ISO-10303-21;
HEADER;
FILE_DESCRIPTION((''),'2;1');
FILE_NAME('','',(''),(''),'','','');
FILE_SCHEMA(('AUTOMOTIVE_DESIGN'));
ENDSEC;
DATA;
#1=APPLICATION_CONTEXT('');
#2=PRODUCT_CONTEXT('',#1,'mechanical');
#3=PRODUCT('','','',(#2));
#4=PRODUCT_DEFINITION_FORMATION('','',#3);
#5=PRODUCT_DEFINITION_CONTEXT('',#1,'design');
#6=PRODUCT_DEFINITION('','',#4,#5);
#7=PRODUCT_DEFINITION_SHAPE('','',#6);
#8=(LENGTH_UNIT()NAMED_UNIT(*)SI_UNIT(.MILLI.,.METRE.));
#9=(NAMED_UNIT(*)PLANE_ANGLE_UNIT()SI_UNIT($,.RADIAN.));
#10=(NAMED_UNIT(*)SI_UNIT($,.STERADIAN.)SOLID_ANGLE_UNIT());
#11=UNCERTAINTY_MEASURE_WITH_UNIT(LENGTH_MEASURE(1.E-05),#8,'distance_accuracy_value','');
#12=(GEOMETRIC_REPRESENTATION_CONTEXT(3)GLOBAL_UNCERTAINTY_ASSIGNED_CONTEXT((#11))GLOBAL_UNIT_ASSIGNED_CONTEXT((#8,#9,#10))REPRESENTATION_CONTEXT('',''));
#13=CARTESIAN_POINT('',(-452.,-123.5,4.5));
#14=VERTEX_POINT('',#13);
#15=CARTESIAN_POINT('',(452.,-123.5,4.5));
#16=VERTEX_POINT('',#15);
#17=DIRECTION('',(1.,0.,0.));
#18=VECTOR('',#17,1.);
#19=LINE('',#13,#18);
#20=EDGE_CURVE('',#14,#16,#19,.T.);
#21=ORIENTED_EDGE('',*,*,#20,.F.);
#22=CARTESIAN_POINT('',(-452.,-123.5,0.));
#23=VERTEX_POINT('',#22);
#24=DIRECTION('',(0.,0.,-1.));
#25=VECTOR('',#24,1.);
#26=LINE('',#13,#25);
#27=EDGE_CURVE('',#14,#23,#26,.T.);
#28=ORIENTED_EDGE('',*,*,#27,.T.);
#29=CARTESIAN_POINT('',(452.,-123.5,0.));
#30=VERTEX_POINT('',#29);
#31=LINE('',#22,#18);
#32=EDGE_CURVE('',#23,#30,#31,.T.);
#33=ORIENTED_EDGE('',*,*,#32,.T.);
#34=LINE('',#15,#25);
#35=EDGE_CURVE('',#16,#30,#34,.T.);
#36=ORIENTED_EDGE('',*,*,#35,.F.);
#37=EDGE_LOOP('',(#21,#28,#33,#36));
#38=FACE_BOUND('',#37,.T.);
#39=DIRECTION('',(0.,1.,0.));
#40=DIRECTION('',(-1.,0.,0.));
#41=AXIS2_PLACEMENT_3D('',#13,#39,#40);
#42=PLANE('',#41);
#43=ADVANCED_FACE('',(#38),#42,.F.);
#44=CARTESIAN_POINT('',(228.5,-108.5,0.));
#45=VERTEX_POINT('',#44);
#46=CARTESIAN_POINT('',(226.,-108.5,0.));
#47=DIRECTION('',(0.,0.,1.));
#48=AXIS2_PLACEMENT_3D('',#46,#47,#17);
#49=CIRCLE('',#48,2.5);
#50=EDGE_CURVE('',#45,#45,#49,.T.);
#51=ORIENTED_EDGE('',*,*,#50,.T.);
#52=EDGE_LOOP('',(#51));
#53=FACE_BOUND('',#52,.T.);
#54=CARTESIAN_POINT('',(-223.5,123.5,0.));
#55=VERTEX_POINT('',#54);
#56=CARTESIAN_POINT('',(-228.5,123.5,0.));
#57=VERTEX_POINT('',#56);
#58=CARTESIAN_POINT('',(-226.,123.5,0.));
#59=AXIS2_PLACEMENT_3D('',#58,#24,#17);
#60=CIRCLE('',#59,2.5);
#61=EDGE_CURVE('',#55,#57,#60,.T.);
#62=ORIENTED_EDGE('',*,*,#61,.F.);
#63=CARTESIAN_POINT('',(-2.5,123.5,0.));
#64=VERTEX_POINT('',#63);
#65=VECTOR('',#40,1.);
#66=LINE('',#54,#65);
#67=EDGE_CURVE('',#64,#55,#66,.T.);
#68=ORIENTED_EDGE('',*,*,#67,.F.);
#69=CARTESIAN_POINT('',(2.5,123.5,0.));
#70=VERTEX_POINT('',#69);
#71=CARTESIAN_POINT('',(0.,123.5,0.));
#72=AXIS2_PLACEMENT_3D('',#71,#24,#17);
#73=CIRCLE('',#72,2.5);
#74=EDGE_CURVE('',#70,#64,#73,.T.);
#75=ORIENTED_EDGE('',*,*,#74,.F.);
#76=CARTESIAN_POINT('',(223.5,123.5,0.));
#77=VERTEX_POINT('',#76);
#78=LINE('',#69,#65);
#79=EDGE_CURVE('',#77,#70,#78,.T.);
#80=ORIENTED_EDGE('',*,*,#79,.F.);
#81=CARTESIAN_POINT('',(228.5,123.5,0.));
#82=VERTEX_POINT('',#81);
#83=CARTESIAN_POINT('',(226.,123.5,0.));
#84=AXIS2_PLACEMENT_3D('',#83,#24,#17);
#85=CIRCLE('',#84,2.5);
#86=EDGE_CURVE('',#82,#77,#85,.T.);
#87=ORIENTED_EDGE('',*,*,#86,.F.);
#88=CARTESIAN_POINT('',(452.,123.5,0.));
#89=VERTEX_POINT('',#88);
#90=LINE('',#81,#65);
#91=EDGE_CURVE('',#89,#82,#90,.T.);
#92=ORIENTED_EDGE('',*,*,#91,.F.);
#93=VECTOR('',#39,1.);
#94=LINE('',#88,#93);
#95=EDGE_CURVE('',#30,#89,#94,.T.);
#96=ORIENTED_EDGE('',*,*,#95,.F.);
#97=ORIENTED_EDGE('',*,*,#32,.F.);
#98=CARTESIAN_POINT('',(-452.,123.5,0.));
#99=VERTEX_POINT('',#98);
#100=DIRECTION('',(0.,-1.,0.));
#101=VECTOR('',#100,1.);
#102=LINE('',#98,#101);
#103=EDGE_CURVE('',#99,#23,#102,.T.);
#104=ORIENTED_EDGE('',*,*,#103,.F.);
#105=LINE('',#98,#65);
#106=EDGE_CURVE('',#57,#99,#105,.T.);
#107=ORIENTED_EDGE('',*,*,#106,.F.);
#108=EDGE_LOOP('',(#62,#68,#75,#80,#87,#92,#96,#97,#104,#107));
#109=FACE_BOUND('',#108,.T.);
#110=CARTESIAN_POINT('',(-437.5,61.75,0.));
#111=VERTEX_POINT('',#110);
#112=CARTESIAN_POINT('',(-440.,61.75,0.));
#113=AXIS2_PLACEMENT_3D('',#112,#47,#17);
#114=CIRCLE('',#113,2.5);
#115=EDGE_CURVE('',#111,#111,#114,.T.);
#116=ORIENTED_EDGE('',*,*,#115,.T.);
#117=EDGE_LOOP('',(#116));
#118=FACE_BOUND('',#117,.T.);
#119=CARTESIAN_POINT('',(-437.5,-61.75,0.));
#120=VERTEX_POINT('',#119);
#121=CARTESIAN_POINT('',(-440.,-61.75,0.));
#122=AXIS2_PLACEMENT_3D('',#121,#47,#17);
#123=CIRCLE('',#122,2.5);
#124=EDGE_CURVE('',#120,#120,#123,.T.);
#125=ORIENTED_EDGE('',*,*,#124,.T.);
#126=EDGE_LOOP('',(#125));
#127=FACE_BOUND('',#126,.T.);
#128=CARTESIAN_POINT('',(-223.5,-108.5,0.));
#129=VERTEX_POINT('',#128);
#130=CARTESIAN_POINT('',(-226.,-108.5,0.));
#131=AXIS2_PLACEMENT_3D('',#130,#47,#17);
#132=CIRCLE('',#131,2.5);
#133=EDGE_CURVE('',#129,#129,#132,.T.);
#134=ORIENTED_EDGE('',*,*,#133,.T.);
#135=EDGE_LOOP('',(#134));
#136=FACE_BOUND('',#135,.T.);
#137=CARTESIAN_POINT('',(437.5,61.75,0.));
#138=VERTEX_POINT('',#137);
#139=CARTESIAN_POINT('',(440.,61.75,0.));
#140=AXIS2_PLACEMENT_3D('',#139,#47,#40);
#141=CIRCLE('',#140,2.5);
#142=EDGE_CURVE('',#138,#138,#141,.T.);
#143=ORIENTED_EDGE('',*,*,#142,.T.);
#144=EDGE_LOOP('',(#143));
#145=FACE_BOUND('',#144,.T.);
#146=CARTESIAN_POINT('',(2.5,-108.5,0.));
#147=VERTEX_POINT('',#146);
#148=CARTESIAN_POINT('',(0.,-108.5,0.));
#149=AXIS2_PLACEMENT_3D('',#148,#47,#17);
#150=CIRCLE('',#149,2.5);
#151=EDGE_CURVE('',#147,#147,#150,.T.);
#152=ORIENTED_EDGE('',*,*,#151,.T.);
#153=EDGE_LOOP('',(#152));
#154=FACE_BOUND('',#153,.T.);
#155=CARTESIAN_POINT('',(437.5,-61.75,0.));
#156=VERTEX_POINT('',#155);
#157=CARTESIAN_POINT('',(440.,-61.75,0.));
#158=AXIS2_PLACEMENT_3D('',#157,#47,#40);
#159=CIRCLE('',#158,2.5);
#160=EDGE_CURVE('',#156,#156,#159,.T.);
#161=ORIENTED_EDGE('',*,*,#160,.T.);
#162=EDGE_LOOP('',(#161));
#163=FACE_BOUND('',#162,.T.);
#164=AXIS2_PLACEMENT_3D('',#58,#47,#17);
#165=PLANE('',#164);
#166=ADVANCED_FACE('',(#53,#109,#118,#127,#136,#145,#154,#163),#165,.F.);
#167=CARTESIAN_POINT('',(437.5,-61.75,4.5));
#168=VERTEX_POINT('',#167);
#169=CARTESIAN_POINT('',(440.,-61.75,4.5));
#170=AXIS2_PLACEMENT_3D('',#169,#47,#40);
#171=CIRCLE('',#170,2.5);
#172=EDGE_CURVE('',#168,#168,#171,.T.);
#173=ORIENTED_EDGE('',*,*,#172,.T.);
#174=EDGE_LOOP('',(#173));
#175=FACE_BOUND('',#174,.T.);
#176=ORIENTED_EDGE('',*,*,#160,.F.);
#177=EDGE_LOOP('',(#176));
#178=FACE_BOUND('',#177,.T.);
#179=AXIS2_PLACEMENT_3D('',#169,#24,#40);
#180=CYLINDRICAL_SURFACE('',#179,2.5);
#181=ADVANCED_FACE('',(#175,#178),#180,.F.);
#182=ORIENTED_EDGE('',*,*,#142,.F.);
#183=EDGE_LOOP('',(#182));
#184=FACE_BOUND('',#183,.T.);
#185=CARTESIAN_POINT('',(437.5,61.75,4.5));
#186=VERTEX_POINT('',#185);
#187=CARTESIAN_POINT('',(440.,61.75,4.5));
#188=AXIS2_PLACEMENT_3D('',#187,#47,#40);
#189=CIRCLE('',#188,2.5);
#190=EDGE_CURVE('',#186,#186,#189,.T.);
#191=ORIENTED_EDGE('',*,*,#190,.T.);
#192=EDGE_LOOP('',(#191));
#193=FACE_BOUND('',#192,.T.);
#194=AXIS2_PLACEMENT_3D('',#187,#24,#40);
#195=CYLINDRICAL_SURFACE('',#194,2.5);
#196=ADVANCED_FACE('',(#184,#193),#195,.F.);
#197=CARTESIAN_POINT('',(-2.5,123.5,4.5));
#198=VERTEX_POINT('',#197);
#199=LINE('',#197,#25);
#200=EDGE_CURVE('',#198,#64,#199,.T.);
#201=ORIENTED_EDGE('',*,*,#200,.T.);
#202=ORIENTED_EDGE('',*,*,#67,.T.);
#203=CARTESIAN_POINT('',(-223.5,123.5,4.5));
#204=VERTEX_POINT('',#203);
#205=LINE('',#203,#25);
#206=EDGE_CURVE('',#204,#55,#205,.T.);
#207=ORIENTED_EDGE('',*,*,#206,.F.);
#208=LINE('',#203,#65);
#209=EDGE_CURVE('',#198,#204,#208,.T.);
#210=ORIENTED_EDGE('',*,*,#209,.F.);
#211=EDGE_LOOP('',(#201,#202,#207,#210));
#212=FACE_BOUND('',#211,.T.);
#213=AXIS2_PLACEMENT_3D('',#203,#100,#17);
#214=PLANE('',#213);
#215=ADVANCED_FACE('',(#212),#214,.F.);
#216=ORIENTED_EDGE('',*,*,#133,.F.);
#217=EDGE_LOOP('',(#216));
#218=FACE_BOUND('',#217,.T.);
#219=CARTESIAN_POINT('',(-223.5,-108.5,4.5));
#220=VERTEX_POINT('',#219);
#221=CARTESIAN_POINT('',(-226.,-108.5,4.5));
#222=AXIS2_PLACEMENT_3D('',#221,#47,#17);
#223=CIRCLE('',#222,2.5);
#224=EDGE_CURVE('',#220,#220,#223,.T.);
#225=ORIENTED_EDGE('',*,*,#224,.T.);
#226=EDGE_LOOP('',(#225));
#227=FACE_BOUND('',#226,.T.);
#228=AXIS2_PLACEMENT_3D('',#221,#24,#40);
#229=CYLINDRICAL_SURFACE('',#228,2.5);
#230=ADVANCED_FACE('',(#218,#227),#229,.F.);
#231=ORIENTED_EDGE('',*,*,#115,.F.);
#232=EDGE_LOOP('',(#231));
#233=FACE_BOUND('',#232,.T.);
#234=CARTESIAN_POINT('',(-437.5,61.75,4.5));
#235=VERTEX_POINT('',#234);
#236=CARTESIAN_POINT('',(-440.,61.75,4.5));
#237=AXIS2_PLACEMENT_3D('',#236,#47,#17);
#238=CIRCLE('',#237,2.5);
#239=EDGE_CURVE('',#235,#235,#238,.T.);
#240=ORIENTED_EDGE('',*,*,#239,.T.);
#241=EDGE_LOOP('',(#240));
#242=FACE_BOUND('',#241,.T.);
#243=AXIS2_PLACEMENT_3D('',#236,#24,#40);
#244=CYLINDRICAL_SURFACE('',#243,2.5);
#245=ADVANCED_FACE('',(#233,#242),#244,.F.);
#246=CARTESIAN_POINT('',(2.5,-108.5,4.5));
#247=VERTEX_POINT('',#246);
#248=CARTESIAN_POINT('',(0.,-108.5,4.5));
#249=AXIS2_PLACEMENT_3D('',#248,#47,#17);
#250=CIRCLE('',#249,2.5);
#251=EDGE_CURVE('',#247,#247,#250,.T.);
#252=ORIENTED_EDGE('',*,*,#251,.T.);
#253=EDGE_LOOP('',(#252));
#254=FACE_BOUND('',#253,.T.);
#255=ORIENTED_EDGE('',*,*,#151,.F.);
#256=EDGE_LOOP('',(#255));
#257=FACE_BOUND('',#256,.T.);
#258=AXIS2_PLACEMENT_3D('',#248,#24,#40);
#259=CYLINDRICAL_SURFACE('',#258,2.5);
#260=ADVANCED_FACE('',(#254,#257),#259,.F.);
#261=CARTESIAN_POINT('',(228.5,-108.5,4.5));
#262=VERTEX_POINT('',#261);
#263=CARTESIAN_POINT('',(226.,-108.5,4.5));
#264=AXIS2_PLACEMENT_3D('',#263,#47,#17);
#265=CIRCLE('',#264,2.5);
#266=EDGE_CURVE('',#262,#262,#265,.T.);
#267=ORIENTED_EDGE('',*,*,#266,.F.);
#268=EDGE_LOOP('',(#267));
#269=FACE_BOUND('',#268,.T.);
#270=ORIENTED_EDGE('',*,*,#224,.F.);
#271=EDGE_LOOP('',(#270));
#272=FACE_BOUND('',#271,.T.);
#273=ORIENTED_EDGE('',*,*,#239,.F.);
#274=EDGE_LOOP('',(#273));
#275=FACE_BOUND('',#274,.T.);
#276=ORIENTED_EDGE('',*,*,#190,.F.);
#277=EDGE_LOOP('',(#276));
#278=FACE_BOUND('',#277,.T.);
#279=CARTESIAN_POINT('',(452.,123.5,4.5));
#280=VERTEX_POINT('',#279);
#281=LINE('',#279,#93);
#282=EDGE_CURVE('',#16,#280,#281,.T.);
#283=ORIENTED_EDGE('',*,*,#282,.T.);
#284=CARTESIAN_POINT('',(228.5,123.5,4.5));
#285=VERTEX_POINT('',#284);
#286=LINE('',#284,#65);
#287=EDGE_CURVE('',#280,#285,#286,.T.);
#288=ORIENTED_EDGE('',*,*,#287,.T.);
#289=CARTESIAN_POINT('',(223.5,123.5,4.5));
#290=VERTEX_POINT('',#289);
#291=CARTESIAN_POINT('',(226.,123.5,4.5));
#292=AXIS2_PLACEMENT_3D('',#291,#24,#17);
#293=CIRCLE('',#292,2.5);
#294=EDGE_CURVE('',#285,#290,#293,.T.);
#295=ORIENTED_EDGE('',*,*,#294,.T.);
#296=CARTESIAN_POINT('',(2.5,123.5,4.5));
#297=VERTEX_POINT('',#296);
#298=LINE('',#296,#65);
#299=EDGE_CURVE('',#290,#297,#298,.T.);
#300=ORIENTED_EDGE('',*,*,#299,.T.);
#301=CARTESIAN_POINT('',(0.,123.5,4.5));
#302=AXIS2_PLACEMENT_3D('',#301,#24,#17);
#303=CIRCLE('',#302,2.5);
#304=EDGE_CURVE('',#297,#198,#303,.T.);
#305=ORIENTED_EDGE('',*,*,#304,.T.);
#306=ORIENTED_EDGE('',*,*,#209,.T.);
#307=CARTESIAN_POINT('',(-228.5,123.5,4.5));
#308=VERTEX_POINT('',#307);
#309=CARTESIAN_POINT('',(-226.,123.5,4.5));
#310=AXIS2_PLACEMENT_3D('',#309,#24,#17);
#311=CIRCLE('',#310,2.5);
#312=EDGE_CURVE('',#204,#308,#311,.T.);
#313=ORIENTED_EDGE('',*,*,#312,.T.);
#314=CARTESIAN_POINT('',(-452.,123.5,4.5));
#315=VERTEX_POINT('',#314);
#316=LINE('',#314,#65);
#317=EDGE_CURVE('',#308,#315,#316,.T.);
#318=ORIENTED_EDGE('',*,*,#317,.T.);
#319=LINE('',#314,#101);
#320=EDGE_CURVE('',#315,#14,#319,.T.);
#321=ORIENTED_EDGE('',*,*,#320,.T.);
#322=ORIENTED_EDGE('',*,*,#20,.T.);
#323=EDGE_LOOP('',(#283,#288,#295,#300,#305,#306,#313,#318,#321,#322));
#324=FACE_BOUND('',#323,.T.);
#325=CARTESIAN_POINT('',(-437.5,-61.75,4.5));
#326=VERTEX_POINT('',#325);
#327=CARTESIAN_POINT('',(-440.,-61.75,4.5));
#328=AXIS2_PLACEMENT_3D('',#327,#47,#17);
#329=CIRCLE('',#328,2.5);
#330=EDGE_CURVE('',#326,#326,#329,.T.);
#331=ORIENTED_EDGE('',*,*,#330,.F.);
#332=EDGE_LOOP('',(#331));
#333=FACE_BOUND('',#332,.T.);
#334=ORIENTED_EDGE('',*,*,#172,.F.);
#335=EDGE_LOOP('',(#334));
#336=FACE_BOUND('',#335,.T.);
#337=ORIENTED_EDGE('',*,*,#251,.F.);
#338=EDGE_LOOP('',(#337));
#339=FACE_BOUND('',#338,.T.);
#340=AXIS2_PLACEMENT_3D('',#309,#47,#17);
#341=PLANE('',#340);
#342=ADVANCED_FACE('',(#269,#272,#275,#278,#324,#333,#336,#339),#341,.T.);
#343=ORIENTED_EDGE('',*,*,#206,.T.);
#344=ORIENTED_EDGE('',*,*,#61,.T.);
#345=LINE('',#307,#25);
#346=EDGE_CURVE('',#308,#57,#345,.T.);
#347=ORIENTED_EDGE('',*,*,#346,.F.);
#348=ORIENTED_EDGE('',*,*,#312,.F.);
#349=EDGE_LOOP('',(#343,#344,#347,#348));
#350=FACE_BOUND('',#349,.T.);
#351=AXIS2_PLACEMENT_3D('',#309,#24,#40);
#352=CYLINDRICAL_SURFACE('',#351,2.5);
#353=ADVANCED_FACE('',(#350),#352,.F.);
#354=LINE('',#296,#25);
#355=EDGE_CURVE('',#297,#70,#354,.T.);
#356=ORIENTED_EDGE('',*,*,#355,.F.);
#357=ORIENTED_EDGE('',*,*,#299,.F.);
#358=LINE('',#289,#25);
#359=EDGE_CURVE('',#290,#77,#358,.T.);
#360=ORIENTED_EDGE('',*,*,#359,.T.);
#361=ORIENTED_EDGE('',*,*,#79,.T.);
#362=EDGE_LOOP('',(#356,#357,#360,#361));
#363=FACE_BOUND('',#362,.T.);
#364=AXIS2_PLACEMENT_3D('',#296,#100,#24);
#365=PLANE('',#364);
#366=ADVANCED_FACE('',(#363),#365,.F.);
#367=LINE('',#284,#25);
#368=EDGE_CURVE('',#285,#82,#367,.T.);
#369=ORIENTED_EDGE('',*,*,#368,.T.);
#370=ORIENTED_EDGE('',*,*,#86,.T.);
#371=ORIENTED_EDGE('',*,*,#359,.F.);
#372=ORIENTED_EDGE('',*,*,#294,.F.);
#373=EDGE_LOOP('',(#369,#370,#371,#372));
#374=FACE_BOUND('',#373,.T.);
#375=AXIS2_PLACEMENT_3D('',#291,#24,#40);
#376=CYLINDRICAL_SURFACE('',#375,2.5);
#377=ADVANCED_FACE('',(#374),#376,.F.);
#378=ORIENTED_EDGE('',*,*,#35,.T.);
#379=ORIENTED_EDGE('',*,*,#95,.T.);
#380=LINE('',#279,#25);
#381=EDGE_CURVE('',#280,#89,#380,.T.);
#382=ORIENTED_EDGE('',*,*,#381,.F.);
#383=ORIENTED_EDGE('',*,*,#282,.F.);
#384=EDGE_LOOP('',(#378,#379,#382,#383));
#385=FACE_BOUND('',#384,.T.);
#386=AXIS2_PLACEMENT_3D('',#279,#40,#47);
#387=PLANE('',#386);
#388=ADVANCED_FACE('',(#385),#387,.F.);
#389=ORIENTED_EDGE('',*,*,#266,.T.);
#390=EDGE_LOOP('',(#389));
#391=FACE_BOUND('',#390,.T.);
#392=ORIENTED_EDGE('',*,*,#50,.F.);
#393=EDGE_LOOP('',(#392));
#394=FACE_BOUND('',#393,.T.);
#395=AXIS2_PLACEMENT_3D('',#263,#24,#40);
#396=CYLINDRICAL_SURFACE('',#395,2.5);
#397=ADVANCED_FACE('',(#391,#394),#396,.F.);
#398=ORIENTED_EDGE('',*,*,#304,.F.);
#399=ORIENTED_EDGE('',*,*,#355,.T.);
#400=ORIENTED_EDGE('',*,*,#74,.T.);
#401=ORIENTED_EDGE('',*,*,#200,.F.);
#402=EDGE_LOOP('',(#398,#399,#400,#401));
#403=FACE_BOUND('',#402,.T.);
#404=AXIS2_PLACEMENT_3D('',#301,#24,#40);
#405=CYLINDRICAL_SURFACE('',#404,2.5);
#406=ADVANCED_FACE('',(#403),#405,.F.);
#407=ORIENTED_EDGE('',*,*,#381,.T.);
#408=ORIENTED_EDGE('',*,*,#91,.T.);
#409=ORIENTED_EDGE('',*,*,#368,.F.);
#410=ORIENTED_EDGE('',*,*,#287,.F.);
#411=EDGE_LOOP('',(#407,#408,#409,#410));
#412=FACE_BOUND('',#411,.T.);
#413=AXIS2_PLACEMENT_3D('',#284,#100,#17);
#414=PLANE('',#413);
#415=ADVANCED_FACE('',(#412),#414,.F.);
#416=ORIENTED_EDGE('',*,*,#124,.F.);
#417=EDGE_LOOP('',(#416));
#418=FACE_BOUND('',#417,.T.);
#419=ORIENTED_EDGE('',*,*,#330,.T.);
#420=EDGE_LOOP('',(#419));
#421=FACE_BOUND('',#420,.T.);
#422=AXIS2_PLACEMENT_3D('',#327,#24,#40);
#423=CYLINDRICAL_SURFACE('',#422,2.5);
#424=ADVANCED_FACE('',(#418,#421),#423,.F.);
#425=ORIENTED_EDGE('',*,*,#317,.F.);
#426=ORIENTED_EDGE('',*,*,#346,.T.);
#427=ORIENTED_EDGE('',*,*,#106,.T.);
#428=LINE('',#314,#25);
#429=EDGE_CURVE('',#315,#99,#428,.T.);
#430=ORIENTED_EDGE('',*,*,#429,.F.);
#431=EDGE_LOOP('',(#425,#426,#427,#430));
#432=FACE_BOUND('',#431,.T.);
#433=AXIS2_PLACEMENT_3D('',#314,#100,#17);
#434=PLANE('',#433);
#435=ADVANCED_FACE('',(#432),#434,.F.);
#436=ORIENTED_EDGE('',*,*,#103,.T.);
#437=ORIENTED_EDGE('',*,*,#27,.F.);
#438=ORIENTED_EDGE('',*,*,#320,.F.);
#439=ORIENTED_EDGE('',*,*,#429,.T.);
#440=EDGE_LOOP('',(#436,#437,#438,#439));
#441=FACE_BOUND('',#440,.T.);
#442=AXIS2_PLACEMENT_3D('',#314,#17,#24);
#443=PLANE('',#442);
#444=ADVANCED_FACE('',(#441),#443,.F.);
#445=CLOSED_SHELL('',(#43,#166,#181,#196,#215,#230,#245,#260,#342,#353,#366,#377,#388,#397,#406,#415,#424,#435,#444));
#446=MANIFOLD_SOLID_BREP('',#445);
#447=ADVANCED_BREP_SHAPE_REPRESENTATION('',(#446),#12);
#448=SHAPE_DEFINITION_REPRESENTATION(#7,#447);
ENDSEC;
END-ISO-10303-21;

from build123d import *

# Parameters (mm, degrees)
SKETCH1_R           = 2.5
BOSS_EXTRUDE1_DEPTH = 4.5


with BuildPart() as part:
    # Sketch1 → Boss-Extrude1 (new body)
    with BuildSketch(Plane.XY):
        with BuildLine():
            Line((-452, 123.5), (-452, -123.5))
            Line((-452, -123.5), (452, -123.5))
            Line((452, -123.5), (452, 123.5))
            Line((452, 123.5), (228.5, 123.5))
            ThreePointArc((228.5, 123.5), (226, 121), (223.5, 123.5))
            Line((223.5, 123.5), (2.5, 123.5))
            ThreePointArc((2.5, 123.5), (0, 121), (-2.5, 123.5))
            Line((-2.5, 123.5), (-223.5, 123.5))
            ThreePointArc((-223.5, 123.5), (-226, 121), (-228.5, 123.5))
            Line((-228.5, 123.5), (-452, 123.5))
        make_face()
        with Locations((-440, 61.75)):
            Circle(SKETCH1_R, mode=Mode.SUBTRACT)
        with Locations((-440, -61.75)):
            Circle(SKETCH1_R, mode=Mode.SUBTRACT)
        with Locations(Location((440, -61.75, 0), (0, 0, 180))):
            Circle(SKETCH1_R, mode=Mode.SUBTRACT)
        with Locations(Location((440, 61.75, 0), (0, 0, 180))):
            Circle(SKETCH1_R, mode=Mode.SUBTRACT)
        with Locations((0, -108.5)):
            Circle(SKETCH1_R, mode=Mode.SUBTRACT)
        with Locations((226, -108.5)):
            Circle(SKETCH1_R, mode=Mode.SUBTRACT)
        with Locations((-226, -108.5)):
            Circle(SKETCH1_R, mode=Mode.SUBTRACT)
    extrude(amount=BOSS_EXTRUDE1_DEPTH)


solid = part.part
